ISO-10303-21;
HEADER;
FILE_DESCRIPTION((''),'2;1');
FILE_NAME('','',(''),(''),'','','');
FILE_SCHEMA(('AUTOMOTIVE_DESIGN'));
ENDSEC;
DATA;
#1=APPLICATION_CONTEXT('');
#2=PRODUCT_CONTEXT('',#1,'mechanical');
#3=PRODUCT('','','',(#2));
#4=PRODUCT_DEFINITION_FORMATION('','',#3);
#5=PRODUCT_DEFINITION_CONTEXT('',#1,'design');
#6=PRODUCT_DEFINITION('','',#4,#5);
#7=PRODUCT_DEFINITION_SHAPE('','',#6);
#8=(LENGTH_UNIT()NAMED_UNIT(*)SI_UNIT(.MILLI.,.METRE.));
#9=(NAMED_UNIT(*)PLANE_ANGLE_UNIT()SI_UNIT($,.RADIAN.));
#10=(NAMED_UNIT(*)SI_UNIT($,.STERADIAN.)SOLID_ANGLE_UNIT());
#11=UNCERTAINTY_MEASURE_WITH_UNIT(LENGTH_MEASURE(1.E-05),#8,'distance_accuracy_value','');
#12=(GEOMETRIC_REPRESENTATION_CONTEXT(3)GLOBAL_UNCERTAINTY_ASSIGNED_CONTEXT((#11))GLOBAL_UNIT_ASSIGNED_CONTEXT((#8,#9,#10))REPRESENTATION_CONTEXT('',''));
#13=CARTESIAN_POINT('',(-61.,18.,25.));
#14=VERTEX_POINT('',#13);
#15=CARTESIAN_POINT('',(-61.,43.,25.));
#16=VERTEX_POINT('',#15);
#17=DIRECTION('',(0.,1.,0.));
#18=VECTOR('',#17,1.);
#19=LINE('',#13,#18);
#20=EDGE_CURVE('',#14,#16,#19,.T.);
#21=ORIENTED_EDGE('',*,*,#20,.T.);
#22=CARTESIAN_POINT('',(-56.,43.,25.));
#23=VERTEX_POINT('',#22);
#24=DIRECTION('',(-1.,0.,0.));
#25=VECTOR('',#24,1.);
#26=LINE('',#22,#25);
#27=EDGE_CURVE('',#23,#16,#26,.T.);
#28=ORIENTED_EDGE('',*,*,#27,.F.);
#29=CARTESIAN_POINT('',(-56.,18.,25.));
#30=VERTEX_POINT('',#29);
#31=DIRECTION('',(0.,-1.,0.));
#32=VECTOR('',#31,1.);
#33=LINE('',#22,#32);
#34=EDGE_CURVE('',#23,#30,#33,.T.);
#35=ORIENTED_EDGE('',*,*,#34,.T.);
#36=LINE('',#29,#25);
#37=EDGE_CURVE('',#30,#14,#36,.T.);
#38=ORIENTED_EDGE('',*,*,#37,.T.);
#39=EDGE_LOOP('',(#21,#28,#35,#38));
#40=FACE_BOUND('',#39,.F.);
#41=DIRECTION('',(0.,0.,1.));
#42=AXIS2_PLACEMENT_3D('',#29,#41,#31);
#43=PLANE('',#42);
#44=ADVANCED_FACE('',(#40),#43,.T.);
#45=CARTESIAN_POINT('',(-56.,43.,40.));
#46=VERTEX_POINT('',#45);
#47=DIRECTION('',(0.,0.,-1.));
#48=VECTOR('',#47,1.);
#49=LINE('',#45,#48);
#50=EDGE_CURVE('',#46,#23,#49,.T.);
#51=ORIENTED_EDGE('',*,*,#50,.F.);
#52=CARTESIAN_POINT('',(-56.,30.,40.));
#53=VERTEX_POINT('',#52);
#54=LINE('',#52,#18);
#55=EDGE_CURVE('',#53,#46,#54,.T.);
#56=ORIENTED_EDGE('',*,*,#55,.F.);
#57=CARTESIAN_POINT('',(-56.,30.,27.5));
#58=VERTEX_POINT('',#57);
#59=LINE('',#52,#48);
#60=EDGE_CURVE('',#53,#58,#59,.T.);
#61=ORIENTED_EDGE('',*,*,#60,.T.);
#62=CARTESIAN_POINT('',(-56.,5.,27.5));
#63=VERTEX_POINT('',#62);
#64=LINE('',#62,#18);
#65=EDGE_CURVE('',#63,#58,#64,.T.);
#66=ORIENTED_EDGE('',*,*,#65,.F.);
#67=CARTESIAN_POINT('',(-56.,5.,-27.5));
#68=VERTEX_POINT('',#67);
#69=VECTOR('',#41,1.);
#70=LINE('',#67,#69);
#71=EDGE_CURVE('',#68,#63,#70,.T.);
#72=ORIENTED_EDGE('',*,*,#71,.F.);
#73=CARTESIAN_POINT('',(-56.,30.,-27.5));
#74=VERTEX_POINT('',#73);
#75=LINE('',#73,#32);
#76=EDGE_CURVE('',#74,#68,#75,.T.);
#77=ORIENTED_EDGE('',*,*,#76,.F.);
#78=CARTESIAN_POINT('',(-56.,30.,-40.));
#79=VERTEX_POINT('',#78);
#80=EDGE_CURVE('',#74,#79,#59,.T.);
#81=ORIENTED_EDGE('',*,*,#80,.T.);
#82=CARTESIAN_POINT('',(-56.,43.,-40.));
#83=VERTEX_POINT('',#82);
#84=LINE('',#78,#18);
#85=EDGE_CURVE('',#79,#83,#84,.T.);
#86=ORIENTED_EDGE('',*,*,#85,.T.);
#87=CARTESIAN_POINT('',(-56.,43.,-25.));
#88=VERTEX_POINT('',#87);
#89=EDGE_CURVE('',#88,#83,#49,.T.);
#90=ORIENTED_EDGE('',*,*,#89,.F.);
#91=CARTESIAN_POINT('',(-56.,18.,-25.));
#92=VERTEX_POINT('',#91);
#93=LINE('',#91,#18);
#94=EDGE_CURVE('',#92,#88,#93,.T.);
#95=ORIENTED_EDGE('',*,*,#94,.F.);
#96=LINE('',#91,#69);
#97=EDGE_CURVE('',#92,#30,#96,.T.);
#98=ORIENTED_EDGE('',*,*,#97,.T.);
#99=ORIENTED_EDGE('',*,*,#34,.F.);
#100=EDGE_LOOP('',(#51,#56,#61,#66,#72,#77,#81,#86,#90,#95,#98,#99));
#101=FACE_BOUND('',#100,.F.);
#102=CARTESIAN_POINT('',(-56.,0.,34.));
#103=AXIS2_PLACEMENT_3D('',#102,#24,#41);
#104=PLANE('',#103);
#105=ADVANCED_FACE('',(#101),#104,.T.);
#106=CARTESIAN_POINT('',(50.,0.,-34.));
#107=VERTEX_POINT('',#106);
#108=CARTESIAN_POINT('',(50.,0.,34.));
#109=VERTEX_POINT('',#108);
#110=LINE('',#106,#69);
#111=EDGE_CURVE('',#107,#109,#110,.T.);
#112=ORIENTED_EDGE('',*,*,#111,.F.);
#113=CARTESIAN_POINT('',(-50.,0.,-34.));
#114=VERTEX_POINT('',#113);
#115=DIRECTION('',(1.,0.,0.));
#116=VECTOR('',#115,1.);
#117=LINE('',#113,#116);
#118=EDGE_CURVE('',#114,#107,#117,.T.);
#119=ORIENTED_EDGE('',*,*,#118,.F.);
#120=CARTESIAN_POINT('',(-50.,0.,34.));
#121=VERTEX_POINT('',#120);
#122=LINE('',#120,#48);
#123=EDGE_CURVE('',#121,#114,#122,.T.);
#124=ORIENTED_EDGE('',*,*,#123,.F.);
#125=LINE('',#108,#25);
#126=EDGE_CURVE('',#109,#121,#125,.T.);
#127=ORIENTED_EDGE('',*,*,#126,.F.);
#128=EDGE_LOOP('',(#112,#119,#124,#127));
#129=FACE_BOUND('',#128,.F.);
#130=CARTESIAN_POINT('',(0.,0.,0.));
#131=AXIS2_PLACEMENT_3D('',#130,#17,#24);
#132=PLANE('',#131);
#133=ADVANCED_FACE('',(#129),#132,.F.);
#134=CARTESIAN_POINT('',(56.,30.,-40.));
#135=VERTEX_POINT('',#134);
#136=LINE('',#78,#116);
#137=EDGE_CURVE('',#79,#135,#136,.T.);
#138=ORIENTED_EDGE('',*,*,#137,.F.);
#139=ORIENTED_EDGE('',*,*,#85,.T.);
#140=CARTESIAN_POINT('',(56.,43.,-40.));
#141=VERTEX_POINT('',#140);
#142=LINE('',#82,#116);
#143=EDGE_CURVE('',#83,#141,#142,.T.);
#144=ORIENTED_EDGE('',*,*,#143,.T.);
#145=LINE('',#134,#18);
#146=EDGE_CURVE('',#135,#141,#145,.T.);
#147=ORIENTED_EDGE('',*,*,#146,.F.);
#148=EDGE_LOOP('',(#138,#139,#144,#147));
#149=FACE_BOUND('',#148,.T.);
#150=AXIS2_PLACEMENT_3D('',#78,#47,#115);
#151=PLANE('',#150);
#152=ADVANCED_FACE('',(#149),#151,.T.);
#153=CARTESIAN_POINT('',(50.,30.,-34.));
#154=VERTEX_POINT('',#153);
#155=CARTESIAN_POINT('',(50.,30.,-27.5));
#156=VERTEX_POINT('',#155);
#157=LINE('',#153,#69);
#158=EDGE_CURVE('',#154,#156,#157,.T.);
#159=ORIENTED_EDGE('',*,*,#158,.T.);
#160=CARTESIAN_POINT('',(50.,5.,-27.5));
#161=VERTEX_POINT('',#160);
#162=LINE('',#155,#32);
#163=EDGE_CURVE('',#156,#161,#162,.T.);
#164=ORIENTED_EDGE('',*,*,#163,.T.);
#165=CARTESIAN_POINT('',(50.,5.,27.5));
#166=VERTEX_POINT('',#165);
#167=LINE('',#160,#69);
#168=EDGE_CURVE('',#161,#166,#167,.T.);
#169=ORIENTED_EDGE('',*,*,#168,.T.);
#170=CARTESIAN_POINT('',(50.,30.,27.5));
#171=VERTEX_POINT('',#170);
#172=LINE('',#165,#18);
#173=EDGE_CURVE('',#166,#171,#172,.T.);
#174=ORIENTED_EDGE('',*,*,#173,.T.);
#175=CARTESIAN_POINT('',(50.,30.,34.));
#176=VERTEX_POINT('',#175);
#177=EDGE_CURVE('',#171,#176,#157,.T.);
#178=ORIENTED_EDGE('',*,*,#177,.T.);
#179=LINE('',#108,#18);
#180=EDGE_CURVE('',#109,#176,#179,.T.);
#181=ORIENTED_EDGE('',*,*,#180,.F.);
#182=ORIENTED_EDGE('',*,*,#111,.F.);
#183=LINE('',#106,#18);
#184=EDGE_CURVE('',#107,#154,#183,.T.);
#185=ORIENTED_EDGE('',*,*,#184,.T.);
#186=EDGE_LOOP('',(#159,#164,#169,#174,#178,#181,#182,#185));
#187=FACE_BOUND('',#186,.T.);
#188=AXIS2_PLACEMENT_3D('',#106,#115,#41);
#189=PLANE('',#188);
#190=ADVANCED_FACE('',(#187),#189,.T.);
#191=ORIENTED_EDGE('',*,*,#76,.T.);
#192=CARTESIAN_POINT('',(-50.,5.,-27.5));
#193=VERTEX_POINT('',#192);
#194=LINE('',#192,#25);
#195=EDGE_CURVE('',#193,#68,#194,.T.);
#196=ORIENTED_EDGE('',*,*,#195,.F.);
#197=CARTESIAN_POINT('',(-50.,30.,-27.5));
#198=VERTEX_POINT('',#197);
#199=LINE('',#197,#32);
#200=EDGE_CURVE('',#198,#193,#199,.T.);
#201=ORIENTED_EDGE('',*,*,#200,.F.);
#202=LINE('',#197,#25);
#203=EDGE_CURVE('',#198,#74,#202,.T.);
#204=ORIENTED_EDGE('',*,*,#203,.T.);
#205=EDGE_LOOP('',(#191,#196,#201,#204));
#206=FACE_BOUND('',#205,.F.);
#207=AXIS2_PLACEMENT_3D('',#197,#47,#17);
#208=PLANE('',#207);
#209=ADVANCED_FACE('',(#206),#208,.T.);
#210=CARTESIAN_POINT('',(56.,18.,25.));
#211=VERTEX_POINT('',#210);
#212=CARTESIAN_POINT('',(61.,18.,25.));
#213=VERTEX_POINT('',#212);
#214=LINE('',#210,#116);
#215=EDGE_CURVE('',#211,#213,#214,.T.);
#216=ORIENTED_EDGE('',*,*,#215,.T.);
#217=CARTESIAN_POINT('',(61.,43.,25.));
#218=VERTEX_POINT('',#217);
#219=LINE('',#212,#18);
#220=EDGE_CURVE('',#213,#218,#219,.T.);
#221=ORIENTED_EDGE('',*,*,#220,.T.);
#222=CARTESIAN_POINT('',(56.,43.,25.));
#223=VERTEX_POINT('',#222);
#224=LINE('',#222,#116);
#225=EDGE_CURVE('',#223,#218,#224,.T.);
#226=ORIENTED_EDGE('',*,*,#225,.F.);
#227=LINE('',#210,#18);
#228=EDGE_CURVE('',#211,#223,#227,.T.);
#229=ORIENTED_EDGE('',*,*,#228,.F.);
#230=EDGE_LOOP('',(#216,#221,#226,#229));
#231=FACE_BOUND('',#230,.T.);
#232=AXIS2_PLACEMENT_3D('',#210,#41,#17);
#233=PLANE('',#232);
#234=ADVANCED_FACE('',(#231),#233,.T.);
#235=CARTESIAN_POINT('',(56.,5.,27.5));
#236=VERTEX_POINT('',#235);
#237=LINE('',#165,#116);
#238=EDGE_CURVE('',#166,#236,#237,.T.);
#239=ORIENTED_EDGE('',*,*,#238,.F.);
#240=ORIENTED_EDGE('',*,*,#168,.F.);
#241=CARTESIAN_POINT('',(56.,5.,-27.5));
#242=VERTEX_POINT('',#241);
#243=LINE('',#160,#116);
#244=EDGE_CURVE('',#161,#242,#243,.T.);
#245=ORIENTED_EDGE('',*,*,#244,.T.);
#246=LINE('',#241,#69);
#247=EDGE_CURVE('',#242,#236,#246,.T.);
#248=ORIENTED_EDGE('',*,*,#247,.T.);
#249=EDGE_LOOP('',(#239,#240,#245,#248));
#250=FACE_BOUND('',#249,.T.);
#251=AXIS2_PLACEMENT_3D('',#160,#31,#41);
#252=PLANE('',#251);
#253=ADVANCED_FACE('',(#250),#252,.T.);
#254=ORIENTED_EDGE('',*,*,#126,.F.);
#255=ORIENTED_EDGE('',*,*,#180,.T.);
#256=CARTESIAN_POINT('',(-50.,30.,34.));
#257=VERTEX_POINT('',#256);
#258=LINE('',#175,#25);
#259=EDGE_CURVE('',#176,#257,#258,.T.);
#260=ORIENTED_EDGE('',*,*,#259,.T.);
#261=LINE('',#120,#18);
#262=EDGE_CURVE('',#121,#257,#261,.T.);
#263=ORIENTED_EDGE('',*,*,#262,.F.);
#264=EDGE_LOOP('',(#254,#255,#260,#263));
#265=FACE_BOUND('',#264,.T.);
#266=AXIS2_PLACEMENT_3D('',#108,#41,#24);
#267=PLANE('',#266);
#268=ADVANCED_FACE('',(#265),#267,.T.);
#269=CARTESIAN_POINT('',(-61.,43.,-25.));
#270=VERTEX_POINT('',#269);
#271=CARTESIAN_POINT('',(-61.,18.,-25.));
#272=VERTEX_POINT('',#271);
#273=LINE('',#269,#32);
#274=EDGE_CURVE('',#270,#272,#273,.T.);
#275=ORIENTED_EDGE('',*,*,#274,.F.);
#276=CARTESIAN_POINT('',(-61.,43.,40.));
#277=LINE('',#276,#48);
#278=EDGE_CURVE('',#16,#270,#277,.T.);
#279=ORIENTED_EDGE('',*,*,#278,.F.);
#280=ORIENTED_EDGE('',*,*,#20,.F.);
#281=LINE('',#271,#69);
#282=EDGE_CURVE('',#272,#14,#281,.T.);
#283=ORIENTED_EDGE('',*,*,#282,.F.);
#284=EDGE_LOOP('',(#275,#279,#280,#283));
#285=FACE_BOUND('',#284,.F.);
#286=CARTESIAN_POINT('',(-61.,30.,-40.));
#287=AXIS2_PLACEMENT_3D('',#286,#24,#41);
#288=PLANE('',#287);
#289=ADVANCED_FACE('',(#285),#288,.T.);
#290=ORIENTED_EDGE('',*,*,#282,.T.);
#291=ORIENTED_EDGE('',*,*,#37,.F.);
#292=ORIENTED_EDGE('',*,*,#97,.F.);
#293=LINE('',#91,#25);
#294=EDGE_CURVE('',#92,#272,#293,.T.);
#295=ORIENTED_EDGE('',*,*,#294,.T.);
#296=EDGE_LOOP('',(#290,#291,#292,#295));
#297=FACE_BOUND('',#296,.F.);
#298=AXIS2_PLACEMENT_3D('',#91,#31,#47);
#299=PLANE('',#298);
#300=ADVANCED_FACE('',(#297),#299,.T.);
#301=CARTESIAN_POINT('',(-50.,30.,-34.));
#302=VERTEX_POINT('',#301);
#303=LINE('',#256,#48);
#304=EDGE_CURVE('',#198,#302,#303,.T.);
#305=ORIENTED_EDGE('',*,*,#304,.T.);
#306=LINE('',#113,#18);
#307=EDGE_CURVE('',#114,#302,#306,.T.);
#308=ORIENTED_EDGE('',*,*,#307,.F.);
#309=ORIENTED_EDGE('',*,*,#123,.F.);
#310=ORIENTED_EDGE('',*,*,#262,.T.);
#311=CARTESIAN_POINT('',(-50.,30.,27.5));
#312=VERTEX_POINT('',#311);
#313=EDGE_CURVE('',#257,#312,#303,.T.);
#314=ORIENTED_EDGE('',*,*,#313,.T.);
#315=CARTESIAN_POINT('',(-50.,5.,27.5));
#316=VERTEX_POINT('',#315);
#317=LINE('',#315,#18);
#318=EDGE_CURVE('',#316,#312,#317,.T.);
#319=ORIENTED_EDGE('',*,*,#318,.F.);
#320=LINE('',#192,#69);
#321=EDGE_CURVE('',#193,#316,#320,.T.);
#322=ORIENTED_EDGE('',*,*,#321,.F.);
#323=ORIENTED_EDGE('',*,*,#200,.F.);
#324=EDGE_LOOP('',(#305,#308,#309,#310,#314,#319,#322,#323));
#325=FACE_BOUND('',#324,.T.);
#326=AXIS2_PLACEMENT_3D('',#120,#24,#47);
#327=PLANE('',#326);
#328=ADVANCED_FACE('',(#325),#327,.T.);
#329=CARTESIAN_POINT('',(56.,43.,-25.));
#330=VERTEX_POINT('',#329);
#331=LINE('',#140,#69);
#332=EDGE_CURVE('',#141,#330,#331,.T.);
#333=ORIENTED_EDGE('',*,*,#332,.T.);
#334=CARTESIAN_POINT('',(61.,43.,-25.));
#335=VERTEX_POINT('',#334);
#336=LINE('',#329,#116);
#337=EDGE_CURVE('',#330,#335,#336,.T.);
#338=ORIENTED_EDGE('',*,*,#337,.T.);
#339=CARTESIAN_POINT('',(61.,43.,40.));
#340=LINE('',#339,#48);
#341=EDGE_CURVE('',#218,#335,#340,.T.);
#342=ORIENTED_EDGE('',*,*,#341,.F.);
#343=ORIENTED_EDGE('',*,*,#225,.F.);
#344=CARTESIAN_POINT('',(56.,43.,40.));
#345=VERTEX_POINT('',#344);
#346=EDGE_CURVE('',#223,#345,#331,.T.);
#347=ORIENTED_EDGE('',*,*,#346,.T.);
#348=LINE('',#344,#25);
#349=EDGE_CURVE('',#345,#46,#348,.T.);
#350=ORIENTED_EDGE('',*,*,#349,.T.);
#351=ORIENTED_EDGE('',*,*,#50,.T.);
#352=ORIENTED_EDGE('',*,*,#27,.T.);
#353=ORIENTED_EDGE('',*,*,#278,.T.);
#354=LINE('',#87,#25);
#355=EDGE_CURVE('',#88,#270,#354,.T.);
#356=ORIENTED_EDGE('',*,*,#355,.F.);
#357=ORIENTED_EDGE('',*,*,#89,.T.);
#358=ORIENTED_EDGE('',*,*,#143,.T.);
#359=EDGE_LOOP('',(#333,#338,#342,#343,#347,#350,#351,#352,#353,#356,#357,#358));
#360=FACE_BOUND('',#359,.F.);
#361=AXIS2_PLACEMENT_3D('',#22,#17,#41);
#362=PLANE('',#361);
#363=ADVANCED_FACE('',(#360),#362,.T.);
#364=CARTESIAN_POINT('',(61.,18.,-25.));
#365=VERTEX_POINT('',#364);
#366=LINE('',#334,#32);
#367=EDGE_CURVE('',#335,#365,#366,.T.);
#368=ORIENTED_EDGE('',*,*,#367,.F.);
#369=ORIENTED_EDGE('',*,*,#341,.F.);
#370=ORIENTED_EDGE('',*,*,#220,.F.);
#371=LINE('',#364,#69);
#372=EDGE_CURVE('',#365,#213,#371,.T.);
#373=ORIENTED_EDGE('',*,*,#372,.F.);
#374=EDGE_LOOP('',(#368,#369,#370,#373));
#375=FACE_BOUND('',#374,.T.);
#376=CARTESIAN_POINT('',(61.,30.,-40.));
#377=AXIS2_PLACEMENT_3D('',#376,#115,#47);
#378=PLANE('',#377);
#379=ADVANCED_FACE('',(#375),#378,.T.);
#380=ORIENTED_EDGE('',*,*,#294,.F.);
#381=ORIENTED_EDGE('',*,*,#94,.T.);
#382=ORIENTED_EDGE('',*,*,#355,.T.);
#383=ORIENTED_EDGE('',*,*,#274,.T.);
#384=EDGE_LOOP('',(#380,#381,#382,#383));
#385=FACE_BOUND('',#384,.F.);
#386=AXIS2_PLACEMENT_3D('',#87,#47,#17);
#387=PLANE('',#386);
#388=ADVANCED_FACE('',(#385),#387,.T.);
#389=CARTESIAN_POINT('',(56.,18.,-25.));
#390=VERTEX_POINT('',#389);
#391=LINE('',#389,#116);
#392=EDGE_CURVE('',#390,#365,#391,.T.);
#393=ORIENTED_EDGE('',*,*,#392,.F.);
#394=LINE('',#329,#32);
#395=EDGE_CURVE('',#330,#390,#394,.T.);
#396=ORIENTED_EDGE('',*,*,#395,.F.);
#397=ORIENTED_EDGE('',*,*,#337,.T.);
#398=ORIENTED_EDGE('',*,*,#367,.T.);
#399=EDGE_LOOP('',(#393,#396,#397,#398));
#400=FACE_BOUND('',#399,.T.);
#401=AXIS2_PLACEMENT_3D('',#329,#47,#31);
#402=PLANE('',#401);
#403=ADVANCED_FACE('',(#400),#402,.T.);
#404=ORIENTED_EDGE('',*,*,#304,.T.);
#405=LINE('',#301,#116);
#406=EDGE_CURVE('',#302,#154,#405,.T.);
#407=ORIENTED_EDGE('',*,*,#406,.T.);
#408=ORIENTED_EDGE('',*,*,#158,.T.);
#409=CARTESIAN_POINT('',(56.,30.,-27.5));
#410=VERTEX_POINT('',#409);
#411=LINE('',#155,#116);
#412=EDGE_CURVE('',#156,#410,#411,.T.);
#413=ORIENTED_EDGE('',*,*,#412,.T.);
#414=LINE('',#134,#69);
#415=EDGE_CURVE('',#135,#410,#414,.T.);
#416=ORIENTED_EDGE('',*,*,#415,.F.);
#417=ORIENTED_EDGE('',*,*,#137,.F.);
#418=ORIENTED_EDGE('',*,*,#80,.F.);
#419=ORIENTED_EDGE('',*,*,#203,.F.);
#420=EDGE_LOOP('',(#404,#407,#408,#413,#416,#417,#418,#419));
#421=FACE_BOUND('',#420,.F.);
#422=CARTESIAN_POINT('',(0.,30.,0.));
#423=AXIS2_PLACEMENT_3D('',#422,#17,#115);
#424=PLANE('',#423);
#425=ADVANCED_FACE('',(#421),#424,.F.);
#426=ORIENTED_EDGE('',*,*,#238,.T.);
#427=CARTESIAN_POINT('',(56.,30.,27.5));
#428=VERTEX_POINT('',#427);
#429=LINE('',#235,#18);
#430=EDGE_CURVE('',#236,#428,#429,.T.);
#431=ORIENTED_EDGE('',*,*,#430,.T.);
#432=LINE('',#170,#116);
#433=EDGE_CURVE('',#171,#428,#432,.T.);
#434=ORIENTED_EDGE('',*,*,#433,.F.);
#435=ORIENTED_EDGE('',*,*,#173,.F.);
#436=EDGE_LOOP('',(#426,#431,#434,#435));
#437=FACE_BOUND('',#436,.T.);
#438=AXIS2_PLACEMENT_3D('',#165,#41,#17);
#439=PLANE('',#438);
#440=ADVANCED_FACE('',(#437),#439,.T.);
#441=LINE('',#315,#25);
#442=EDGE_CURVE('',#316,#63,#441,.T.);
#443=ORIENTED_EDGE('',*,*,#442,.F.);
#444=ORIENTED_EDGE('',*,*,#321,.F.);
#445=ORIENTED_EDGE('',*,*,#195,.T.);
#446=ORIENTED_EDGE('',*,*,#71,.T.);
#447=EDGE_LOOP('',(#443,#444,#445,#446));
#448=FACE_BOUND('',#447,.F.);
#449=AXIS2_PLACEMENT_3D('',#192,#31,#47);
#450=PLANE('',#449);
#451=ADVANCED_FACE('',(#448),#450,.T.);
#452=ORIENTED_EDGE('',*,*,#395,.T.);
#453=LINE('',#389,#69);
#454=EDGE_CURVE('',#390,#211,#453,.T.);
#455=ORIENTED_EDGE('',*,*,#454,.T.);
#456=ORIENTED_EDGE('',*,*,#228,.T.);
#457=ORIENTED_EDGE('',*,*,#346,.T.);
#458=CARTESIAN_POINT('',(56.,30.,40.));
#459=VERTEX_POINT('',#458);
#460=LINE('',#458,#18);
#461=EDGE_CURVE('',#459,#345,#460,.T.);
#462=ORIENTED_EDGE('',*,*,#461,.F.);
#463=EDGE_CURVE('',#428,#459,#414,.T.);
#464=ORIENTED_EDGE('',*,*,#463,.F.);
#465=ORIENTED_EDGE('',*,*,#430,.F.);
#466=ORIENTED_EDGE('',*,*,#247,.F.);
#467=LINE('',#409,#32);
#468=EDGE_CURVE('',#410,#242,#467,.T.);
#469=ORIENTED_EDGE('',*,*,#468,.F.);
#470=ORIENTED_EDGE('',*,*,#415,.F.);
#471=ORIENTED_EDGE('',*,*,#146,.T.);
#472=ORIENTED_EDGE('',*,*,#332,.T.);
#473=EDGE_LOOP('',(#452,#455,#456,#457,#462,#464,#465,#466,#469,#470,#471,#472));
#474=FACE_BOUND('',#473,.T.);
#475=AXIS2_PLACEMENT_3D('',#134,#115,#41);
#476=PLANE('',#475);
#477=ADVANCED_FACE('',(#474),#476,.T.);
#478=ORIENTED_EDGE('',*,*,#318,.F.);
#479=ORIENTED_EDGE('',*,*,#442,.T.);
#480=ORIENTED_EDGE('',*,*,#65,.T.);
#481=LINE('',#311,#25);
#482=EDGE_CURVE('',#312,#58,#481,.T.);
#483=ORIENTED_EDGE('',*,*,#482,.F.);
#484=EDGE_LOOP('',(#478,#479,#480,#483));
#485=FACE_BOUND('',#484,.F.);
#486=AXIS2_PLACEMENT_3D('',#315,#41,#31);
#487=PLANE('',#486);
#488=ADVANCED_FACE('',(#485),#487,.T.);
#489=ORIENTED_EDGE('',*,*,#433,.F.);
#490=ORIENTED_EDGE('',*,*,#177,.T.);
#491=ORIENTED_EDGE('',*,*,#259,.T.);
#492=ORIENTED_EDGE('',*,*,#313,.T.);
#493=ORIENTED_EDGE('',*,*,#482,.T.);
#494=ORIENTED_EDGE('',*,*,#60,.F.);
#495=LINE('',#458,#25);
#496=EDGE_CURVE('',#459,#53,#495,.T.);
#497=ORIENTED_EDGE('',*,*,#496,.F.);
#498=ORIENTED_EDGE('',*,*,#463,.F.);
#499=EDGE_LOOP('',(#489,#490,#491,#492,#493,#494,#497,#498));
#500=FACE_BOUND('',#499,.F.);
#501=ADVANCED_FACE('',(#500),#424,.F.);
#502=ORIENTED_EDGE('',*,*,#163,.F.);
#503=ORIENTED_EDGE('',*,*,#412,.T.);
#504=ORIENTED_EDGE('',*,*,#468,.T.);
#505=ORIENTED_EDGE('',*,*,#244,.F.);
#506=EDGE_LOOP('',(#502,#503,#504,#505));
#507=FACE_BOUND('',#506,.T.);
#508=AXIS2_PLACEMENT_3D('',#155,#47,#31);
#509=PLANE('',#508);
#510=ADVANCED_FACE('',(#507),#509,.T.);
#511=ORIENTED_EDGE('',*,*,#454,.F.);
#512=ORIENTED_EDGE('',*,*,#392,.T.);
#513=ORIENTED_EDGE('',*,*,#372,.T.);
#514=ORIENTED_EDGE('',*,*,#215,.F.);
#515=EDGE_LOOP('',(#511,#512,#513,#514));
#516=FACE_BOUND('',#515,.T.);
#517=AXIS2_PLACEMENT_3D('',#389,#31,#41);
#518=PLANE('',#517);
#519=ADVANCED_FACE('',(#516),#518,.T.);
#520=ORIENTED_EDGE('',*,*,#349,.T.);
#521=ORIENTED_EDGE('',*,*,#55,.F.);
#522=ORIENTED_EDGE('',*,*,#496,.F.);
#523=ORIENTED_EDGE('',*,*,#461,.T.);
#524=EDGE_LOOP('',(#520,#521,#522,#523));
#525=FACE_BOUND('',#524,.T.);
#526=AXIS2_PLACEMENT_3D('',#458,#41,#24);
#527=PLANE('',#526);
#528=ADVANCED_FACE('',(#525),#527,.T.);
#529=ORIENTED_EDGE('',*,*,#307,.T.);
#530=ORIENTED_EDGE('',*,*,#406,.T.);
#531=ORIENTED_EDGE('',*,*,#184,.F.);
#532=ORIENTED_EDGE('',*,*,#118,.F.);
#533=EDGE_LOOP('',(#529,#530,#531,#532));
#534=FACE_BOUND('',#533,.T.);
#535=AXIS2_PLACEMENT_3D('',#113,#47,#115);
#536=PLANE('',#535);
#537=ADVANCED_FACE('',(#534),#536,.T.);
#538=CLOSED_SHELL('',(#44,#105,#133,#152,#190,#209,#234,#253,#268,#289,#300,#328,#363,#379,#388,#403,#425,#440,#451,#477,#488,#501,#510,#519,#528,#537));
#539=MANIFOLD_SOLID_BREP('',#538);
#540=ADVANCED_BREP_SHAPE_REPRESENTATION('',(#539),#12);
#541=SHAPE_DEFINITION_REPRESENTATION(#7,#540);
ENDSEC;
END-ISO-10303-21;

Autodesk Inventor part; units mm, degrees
ref_plane "YZ Plane" through (0, 0, 0) normal (1, 0, 0) x (0, 1, 0)
ref_plane "XZ Plane" through (0, 0, 0) normal (0, 1, 0) x (-1, 0, 0)
ref_plane "XY Plane" through (0, 0, 0) normal (0, 0, 1) x (1, 0, 0)
sketch "Esquisse1" plane through (0, 0, 0) normal (0, 1, 0) x (-1, 0, 0)
  line L0 (-50, 34) -> (50, 34)
  line L1 (50, 34) -> (50, -34)
  line L2 (50, -34) -> (-50, -34)
  line L3 (-50, -34) -> (-50, 34)
  point P0 (0, 0)
  dimension "d0" = 100
  dimension "d1" = 68
  dimension "d2" = 34
  dimension "d3" = 50
extrude "Extrusion1" add sketch "Esquisse1" along normal blind 30
sketch "Esquisse2" plane through (0, 30, 0) normal (0, 1, 0) x (1, 0, 0)
  line L0 (-56, 40) -> (56, 40)
  line L1 (56, 40) -> (56, -40)
  line L2 (56, -40) -> (-56, -40)
  line L3 (-56, -40) -> (-56, 40)
  point P0 (0, 0)
  dimension "d6" = 112
  dimension "d7" = 80
  dimension "d8" = 40
  dimension "d9" = 56
extrude "Extrusion2" add sketch "Esquisse2" along normal blind 13
sketch "Esquisse3" plane through (50, 0, 34) normal (1, 0, 0) x (0, 0, -1)
  line L0 (0, 30) -> (68, 30) projected
  line L1 (6.5, 30) -> (61.5, 30)
  line L2 (61.5, 30) -> (61.5, 5)
  line L3 (61.5, 5) -> (6.5, 5)
  line L4 (6.5, 5) -> (6.5, 30)
  point P0 (34, 0)
  dimension "d12" = 25
  dimension "d13" = 55
  dimension "d14" = 27.5
extrude "Extrusion3" add sketch "Esquisse3" along normal up to surface (6 mm away)
sketch "Esquisse4" plane through (56, 30, -40) normal (1, 0, 0) x (0, 0, -1)
  line L0 (-80, 13) -> (0, 13) projected
  line L1 (-65, 13) -> (-15, 13)
  line L2 (-15, 13) -> (-15, -12)
  line L3 (-15, -12) -> (-65, -12)
  line L4 (-65, -12) -> (-65, 13)
  point P0 (-40, -30)
  dimension "d17" = 50
  dimension "d18" = 25
  dimension "d19" = 25
extrude "Extrusion4" add sketch "Esquisse4" along normal blind 5
mirror "Symétrie1" about plane through (0, 0, 0) normal (1, 0, 0) of "Extrusion4", "Extrusion3"
equation "\"d2\" = 0.5 * d1"
equation "\"d3\" = 0.5 * d0"
equation "\"d8\" = 0.5 * d7"
equation "\"d9\" = 0.5 * d6"
equation "\"d14\" = 0.5 * d13"
equation "\"d19\" = 0.5 * d17"
properties part number "leroy_merlin_boite"
